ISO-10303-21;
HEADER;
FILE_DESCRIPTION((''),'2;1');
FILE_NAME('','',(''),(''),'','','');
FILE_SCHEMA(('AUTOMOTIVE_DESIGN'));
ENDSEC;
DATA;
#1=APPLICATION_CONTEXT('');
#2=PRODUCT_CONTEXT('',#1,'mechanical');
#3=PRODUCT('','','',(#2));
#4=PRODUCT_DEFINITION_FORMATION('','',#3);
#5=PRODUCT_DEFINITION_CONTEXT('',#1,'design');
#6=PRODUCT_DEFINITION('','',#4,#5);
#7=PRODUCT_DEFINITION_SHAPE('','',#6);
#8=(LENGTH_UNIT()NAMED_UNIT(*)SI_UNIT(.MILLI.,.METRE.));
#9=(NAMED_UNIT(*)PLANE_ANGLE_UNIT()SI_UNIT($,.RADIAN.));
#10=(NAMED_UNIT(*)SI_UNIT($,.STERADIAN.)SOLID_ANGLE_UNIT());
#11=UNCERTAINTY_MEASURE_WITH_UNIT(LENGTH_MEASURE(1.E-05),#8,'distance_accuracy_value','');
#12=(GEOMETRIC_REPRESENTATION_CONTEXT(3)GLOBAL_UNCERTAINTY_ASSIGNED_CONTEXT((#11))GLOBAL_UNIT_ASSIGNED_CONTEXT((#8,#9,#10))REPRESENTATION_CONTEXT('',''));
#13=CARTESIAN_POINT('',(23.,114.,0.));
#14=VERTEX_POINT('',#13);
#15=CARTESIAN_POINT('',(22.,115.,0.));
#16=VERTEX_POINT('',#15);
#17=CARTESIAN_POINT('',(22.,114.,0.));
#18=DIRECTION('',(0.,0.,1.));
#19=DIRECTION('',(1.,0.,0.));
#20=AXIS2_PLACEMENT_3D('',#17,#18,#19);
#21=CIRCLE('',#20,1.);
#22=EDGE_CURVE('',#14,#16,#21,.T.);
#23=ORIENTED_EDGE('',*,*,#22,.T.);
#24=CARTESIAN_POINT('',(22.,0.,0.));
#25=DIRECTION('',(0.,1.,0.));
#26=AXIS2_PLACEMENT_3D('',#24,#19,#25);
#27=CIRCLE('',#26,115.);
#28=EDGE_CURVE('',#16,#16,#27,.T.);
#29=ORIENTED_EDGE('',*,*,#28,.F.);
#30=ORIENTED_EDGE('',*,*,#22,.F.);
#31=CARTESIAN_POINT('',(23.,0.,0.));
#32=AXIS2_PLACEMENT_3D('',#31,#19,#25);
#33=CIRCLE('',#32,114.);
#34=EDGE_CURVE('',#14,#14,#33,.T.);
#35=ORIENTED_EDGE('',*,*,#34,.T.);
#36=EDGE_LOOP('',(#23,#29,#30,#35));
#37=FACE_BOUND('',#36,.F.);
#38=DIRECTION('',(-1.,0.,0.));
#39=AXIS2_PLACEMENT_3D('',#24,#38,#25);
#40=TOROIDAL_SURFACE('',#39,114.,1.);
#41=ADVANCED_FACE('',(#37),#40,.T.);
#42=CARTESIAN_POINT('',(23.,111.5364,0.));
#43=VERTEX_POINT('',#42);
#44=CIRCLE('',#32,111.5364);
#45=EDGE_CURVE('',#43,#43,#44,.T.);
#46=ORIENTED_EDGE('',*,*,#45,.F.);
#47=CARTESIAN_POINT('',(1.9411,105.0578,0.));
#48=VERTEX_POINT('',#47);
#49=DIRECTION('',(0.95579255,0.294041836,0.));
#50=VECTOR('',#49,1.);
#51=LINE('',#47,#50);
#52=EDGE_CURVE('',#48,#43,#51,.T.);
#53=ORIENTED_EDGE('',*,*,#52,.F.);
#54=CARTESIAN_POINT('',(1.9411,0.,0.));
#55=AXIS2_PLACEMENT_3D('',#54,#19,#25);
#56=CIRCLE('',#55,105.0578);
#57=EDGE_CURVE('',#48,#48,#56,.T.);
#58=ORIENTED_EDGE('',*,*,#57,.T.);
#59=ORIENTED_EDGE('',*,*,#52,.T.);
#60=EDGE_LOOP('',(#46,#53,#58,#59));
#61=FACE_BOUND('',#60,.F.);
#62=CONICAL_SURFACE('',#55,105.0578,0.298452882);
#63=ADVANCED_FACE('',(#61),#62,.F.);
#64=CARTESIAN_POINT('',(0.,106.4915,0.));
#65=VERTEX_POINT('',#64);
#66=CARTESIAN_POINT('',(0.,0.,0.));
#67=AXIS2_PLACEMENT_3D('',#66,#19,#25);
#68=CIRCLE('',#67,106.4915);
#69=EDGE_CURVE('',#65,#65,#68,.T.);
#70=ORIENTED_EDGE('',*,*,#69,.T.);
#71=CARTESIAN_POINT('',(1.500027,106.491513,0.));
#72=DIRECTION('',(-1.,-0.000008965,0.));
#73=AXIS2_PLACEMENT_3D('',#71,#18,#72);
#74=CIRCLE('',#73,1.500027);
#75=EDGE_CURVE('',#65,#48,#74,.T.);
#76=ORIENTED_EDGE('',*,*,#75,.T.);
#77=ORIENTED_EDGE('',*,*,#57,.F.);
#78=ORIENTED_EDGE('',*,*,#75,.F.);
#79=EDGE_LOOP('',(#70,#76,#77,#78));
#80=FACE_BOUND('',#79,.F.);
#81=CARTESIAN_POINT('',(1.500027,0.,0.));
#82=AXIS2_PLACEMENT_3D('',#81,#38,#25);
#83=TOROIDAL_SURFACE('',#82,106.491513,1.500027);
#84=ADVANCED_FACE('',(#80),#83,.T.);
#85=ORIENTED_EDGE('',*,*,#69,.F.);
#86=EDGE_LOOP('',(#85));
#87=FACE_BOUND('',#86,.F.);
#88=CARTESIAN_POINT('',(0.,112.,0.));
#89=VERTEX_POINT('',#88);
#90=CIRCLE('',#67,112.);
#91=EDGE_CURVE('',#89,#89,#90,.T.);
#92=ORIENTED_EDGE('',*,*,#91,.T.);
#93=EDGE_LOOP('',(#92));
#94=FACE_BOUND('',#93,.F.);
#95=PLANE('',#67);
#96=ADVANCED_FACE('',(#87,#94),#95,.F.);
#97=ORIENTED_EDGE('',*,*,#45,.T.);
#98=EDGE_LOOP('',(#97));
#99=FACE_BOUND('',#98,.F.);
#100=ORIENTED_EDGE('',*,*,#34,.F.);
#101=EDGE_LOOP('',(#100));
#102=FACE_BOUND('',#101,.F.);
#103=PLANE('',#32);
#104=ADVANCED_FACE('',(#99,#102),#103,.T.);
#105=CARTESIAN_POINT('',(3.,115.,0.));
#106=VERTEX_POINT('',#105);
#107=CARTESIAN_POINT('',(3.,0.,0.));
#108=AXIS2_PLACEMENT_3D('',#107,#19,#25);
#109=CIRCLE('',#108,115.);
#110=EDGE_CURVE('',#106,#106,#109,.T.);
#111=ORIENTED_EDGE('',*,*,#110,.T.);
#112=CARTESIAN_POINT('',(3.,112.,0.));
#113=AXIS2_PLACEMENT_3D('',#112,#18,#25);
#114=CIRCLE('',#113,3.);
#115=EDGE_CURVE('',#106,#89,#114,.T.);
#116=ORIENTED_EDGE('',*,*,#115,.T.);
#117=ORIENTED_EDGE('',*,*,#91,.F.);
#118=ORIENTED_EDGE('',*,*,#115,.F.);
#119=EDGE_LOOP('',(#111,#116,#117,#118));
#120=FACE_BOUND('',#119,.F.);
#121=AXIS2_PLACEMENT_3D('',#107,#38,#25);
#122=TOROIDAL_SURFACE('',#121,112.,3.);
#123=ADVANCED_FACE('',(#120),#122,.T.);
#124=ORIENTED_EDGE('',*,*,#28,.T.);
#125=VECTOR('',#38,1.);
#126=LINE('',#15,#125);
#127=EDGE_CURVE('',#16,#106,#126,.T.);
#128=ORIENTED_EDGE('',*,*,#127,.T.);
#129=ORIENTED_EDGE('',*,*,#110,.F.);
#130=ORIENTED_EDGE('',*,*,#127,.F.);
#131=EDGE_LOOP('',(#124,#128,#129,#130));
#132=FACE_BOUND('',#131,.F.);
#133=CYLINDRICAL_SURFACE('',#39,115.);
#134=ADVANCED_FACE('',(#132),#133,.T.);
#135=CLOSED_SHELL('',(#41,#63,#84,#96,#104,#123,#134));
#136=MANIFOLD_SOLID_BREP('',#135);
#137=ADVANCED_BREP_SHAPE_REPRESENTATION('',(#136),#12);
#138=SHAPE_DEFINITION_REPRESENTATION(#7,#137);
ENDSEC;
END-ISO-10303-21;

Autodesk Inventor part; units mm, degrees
sketch "Sketch_1" plane through (0, 0, 0) normal (0, 0, 1) x (1, 0, 0)
  line L0 (23, 0) -> (-23, 0)
  arc A0 (0, 106.4915) -> (1.9411, 105.0578) centre (1.5, 106.4915) ccw
  line L1 (1.9411, 105.0578) -> (23, 111.5364)
  line L2 (23, 111.5364) -> (23, 114)
  arc A1 (23, 114) -> (22, 115) centre (22, 114) ccw
  line L3 (22, 115) -> (3, 115)
  arc A2 (3, 115) -> (0, 112) centre (3, 112) ccw
  line L4 (0, 112) -> (0, 106.4915)
revolve "Revolution1" add sketch "Sketch_1" angle 360 about axis through (23, 0, 0) along (1, 0, 0)
ref_plane "outer_ring_XY" through (0, 0, 0) normal (0, 0, 1) x (1, 0, 0)
ref_plane "outer_ring_YZ" through (0, 0, 0) normal (1, 0, 0) x (0, 1, 0)
ref_plane "outer_ring_ZX" through (0, 0, 0) normal (0, 1, 0) x (0, 0, 1)
properties part number "T4DB 170_or"
